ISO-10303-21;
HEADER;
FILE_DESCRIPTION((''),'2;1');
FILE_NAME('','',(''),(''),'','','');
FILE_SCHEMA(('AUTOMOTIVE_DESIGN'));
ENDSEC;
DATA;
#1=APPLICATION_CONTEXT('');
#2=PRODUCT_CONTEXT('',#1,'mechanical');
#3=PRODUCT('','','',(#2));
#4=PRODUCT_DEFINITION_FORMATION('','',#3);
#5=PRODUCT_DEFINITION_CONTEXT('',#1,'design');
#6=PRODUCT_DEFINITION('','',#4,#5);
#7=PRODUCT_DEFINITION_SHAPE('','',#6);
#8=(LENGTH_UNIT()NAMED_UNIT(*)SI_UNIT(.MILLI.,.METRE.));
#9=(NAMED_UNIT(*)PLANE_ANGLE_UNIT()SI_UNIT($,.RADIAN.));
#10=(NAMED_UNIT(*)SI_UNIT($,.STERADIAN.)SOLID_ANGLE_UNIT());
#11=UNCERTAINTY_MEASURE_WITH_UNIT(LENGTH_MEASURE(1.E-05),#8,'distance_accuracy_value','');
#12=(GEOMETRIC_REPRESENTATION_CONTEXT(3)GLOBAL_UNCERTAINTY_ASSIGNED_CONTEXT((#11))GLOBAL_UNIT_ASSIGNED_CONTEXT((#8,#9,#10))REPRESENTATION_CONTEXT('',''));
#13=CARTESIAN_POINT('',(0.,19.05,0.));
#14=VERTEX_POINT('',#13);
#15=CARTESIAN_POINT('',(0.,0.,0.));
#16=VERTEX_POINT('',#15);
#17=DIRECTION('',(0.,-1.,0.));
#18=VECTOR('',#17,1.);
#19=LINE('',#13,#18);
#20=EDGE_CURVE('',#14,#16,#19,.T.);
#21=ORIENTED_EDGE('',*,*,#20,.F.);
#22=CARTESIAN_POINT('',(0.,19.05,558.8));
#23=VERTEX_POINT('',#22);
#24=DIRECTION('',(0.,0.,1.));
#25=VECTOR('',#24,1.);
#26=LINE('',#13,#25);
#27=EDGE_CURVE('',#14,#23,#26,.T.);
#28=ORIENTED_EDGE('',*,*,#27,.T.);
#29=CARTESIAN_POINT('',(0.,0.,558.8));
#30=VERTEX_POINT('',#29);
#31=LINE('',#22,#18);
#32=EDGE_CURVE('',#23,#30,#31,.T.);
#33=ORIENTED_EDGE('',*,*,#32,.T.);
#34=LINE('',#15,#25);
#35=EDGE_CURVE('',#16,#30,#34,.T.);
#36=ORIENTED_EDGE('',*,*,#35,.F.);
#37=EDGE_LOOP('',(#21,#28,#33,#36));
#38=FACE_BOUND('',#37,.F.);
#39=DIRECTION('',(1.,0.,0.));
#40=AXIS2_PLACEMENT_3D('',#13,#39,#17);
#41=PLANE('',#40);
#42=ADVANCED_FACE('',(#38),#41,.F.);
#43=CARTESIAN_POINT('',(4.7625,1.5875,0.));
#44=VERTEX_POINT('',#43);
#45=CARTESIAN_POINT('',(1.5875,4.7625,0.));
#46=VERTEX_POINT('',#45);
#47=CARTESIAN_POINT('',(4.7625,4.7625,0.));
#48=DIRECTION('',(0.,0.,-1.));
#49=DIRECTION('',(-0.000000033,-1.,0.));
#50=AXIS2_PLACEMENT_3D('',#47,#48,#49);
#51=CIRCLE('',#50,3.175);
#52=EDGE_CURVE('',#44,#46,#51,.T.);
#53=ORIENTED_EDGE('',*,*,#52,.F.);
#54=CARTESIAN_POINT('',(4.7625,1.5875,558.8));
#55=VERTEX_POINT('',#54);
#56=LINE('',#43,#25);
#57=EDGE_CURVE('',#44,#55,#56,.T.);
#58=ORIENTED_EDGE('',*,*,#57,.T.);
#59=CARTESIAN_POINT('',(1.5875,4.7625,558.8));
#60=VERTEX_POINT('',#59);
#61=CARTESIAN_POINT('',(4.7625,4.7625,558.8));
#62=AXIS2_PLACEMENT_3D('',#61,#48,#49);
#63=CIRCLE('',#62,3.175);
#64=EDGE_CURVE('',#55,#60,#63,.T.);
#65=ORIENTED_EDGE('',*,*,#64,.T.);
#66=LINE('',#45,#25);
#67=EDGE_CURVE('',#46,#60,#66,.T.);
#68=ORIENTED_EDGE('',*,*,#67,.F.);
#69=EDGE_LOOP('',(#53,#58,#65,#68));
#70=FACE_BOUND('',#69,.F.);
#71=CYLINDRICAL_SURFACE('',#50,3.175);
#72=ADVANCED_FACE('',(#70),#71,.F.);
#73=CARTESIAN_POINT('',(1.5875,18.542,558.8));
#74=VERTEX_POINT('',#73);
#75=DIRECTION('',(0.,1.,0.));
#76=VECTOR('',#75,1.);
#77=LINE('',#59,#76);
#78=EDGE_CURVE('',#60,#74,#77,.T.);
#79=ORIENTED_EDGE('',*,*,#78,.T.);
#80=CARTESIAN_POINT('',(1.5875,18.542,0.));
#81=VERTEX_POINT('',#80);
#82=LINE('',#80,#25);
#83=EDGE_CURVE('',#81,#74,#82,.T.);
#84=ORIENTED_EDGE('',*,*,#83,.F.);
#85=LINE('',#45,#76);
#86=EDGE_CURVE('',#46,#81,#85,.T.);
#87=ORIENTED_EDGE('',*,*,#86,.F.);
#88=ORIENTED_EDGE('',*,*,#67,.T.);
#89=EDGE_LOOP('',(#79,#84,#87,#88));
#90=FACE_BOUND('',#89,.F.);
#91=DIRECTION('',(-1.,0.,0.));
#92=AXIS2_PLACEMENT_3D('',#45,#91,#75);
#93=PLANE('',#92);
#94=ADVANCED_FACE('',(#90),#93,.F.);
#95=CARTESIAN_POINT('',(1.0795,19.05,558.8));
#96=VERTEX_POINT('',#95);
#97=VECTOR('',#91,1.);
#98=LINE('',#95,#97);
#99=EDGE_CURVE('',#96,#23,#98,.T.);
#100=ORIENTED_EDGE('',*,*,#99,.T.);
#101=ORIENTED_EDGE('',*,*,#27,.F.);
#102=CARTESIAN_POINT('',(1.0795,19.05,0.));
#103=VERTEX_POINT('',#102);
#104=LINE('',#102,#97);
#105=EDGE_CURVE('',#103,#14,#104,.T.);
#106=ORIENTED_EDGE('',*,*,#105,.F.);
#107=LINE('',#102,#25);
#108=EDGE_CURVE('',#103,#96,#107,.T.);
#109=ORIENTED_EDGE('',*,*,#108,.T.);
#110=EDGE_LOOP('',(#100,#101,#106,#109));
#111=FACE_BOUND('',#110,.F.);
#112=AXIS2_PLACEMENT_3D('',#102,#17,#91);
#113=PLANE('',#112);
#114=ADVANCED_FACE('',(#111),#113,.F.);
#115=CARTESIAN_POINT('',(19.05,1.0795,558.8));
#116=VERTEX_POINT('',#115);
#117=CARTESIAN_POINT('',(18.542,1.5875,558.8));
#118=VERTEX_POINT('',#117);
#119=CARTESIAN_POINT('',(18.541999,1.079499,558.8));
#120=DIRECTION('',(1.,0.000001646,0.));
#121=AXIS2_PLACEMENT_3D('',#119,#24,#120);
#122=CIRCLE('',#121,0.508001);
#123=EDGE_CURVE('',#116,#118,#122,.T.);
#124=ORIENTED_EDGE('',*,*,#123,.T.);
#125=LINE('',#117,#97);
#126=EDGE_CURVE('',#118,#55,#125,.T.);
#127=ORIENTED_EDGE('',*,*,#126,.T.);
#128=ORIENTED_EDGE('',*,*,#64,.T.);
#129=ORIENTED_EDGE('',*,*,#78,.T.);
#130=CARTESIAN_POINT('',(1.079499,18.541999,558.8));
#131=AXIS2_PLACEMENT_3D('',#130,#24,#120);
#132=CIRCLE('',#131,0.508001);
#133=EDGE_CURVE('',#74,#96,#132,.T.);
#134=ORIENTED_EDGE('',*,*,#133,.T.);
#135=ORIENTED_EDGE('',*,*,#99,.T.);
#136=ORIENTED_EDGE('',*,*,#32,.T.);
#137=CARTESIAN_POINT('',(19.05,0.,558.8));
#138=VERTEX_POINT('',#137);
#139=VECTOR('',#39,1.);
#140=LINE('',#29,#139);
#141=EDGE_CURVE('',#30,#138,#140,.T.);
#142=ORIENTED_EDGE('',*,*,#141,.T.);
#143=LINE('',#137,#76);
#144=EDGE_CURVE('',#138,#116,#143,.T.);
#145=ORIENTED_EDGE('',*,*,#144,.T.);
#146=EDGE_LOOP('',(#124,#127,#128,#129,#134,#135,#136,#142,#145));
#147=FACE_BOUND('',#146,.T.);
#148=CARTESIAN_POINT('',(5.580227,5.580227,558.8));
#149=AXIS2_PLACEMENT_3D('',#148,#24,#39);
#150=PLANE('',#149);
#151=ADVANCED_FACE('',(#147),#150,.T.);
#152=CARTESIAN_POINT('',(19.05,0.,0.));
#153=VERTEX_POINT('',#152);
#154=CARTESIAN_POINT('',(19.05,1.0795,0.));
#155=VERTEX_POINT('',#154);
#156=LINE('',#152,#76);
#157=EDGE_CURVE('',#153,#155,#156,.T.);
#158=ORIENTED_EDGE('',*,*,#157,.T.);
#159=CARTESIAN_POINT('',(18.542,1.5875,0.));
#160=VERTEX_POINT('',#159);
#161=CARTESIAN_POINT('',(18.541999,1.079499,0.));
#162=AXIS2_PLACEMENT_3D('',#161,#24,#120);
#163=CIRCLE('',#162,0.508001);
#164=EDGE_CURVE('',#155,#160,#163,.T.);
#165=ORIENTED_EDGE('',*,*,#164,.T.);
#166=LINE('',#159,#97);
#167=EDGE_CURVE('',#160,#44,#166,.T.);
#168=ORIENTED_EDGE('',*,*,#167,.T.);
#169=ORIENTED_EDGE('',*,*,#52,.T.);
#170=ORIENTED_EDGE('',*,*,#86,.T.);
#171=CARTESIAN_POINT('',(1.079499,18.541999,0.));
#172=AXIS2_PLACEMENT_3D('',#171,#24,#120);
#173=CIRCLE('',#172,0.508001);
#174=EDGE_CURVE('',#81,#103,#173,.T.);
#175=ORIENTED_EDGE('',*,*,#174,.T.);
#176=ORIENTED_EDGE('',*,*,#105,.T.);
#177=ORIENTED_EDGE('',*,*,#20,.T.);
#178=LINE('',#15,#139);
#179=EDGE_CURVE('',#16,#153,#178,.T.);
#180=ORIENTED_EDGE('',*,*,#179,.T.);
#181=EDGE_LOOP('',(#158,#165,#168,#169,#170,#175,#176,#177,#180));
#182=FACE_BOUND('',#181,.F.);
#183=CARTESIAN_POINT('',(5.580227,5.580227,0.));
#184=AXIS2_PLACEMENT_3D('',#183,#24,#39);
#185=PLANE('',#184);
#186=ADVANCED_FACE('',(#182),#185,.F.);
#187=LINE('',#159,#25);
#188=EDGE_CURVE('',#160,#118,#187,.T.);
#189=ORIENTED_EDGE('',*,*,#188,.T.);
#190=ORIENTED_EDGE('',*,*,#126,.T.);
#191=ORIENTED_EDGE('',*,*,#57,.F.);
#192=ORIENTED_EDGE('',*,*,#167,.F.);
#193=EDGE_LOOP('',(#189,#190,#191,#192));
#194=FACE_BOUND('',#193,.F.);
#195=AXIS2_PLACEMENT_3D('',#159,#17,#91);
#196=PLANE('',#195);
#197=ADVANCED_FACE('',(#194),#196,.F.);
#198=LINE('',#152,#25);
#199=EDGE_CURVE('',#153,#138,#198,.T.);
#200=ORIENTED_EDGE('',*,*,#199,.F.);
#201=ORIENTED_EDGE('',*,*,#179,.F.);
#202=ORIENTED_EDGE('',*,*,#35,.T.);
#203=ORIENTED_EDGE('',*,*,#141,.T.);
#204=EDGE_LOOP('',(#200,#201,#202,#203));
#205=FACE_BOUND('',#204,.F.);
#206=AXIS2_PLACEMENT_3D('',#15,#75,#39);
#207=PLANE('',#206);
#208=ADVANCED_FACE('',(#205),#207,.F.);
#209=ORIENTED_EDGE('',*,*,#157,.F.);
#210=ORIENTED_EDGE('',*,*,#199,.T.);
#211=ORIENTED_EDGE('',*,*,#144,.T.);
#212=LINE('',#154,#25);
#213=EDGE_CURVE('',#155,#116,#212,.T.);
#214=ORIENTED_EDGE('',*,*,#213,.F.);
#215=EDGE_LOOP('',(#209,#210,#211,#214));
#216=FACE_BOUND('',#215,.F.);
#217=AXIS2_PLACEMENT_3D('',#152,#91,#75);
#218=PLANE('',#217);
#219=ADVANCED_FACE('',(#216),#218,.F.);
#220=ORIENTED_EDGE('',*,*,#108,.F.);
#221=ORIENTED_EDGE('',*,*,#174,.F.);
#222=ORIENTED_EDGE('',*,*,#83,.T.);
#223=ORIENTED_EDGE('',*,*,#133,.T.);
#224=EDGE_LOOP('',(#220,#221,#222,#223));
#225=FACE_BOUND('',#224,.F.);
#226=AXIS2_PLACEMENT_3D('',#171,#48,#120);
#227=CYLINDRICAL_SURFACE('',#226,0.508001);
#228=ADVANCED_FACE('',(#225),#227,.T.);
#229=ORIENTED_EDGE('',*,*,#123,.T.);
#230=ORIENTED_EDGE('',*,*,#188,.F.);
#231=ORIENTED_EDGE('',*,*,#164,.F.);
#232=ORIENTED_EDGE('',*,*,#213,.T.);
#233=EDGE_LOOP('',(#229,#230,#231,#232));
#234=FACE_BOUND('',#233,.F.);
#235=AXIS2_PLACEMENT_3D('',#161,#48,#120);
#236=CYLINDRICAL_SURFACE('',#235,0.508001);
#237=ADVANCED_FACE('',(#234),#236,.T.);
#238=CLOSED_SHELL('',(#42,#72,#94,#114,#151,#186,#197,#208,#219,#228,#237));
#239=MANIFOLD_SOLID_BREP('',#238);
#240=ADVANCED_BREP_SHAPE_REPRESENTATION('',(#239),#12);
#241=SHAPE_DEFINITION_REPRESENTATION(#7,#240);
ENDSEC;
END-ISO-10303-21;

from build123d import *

# Parameters (mm, degrees)
F1_DEPTH = 558.8


with BuildPart() as f1:
    # F0 (on Top) → F1 (new body)
    with BuildSketch(Plane.XY):
        with BuildLine():
            Line((0, 19.05), (0, 0))
            Line((0, 0), (19.05, 0))
            Line((19.05, 0), (19.05, 1.0795))
            ThreePointArc((19.05, 1.0795), (18.90121, 1.43871), (18.542, 1.5875))
            Line((18.542, 1.5875), (4.7625, 1.5875))
            ThreePointArc((4.7625, 1.5875), (2.517436, 2.517436), (1.5875, 4.7625))
            Line((1.5875, 4.7625), (1.5875, 18.542))
            ThreePointArc((1.5875, 18.542), (1.43871, 18.90121), (1.0795, 19.05))
            Line((1.0795, 19.05), (0, 19.05))
        make_face()
    extrude(amount=F1_DEPTH)


solid = f1.part
